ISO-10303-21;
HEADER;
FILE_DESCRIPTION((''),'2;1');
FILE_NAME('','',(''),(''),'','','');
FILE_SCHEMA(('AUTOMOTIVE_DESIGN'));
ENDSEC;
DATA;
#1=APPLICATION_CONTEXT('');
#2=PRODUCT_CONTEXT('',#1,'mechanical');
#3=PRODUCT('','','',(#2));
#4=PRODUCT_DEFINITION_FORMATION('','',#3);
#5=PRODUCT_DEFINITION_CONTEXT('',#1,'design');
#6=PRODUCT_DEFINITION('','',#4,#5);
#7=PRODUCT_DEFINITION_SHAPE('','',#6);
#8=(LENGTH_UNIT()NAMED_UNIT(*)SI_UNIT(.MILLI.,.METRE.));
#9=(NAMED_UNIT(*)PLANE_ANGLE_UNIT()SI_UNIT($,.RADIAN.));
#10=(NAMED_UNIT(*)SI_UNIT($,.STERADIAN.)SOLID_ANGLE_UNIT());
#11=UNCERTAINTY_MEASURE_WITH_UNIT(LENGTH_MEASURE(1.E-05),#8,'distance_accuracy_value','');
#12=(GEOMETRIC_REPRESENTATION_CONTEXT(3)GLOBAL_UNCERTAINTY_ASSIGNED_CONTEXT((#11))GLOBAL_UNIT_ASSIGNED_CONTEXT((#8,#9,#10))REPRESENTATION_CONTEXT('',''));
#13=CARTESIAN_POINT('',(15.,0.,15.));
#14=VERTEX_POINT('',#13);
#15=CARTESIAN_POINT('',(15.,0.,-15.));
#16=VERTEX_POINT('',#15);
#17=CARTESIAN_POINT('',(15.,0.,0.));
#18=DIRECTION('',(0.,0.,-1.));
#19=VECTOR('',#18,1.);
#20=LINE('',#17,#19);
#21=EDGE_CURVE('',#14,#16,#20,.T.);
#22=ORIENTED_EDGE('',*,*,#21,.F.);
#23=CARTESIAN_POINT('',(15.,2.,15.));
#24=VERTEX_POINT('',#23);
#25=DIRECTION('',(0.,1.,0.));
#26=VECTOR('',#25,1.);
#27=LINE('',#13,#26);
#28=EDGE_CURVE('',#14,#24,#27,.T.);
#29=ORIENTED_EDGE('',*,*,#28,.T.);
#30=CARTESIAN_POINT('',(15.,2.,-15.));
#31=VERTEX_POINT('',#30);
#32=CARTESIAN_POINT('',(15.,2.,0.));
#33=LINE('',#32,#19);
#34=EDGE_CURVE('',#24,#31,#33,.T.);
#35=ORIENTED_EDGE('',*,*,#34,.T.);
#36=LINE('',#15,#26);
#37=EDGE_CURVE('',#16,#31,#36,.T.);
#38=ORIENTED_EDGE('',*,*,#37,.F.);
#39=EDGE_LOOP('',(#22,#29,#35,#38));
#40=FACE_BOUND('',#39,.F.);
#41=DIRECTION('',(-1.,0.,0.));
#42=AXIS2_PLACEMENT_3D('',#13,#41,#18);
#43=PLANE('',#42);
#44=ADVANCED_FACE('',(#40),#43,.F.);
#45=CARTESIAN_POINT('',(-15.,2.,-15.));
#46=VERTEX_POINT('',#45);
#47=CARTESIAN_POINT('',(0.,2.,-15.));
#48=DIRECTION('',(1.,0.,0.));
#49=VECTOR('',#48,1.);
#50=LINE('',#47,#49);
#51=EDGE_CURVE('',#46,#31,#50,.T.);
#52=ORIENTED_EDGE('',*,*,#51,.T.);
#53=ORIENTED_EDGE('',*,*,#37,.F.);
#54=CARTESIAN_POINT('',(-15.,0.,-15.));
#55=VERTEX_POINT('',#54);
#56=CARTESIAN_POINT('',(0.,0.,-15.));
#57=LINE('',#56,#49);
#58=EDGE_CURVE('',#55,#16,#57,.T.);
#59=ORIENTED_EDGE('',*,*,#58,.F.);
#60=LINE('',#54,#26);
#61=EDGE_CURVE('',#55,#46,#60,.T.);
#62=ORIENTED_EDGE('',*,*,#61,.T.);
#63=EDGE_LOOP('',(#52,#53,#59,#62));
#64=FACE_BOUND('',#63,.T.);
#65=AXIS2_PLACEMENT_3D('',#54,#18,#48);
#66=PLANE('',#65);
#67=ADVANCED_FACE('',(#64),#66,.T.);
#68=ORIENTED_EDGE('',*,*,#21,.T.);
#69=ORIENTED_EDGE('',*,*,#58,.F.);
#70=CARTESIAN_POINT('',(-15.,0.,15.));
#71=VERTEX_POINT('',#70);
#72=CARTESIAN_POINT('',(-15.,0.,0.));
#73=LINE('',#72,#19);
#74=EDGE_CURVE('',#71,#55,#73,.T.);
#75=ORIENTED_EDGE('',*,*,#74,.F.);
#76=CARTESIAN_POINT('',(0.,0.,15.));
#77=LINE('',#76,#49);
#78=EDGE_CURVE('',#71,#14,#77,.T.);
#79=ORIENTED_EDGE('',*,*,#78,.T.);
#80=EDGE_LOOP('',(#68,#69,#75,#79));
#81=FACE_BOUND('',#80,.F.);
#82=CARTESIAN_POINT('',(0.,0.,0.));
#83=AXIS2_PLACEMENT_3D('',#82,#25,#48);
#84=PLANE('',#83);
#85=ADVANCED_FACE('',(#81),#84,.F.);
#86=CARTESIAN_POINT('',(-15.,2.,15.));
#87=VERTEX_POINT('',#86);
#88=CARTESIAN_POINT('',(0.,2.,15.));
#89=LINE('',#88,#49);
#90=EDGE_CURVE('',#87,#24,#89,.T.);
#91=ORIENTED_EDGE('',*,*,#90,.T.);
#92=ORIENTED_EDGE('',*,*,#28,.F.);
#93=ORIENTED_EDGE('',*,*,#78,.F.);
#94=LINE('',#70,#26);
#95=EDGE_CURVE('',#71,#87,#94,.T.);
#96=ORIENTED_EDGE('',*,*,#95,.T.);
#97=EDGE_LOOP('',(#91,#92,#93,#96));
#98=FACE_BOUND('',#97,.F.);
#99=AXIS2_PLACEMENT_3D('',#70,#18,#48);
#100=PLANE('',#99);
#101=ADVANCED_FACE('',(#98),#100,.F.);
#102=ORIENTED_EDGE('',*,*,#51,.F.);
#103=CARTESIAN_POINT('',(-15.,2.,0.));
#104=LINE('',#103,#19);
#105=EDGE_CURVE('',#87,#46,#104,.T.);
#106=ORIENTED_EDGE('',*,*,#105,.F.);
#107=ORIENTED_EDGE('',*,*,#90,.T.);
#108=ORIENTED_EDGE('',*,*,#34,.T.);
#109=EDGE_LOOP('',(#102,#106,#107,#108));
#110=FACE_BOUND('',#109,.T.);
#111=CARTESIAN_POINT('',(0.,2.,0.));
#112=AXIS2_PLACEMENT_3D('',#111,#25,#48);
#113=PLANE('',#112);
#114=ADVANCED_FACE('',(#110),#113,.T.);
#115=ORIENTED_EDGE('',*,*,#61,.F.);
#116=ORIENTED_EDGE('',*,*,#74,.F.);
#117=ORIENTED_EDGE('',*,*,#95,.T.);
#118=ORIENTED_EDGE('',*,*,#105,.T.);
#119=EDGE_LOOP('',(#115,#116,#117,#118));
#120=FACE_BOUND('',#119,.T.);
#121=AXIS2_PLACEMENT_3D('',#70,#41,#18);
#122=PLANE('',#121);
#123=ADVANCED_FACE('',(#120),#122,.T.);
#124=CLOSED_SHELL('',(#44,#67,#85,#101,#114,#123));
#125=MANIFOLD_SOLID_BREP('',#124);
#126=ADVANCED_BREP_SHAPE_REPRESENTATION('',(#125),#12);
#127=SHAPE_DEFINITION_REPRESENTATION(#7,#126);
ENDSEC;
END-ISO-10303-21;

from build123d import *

# Parameters (mm, degrees)
SKETCH1_W           = 30
SKETCH1_H           = 30
BOSS_EXTRUDE1_DEPTH = 2


with BuildPart() as part:
    # Sketch1 → Boss-Extrude1 (new body)
    with BuildSketch(Plane(origin=(0, 0, 0), x_dir=(1, 0, 0), z_dir=(0, 1, 0))):
        Rectangle(SKETCH1_W, SKETCH1_H)
    extrude(amount=BOSS_EXTRUDE1_DEPTH)


solid = part.part
